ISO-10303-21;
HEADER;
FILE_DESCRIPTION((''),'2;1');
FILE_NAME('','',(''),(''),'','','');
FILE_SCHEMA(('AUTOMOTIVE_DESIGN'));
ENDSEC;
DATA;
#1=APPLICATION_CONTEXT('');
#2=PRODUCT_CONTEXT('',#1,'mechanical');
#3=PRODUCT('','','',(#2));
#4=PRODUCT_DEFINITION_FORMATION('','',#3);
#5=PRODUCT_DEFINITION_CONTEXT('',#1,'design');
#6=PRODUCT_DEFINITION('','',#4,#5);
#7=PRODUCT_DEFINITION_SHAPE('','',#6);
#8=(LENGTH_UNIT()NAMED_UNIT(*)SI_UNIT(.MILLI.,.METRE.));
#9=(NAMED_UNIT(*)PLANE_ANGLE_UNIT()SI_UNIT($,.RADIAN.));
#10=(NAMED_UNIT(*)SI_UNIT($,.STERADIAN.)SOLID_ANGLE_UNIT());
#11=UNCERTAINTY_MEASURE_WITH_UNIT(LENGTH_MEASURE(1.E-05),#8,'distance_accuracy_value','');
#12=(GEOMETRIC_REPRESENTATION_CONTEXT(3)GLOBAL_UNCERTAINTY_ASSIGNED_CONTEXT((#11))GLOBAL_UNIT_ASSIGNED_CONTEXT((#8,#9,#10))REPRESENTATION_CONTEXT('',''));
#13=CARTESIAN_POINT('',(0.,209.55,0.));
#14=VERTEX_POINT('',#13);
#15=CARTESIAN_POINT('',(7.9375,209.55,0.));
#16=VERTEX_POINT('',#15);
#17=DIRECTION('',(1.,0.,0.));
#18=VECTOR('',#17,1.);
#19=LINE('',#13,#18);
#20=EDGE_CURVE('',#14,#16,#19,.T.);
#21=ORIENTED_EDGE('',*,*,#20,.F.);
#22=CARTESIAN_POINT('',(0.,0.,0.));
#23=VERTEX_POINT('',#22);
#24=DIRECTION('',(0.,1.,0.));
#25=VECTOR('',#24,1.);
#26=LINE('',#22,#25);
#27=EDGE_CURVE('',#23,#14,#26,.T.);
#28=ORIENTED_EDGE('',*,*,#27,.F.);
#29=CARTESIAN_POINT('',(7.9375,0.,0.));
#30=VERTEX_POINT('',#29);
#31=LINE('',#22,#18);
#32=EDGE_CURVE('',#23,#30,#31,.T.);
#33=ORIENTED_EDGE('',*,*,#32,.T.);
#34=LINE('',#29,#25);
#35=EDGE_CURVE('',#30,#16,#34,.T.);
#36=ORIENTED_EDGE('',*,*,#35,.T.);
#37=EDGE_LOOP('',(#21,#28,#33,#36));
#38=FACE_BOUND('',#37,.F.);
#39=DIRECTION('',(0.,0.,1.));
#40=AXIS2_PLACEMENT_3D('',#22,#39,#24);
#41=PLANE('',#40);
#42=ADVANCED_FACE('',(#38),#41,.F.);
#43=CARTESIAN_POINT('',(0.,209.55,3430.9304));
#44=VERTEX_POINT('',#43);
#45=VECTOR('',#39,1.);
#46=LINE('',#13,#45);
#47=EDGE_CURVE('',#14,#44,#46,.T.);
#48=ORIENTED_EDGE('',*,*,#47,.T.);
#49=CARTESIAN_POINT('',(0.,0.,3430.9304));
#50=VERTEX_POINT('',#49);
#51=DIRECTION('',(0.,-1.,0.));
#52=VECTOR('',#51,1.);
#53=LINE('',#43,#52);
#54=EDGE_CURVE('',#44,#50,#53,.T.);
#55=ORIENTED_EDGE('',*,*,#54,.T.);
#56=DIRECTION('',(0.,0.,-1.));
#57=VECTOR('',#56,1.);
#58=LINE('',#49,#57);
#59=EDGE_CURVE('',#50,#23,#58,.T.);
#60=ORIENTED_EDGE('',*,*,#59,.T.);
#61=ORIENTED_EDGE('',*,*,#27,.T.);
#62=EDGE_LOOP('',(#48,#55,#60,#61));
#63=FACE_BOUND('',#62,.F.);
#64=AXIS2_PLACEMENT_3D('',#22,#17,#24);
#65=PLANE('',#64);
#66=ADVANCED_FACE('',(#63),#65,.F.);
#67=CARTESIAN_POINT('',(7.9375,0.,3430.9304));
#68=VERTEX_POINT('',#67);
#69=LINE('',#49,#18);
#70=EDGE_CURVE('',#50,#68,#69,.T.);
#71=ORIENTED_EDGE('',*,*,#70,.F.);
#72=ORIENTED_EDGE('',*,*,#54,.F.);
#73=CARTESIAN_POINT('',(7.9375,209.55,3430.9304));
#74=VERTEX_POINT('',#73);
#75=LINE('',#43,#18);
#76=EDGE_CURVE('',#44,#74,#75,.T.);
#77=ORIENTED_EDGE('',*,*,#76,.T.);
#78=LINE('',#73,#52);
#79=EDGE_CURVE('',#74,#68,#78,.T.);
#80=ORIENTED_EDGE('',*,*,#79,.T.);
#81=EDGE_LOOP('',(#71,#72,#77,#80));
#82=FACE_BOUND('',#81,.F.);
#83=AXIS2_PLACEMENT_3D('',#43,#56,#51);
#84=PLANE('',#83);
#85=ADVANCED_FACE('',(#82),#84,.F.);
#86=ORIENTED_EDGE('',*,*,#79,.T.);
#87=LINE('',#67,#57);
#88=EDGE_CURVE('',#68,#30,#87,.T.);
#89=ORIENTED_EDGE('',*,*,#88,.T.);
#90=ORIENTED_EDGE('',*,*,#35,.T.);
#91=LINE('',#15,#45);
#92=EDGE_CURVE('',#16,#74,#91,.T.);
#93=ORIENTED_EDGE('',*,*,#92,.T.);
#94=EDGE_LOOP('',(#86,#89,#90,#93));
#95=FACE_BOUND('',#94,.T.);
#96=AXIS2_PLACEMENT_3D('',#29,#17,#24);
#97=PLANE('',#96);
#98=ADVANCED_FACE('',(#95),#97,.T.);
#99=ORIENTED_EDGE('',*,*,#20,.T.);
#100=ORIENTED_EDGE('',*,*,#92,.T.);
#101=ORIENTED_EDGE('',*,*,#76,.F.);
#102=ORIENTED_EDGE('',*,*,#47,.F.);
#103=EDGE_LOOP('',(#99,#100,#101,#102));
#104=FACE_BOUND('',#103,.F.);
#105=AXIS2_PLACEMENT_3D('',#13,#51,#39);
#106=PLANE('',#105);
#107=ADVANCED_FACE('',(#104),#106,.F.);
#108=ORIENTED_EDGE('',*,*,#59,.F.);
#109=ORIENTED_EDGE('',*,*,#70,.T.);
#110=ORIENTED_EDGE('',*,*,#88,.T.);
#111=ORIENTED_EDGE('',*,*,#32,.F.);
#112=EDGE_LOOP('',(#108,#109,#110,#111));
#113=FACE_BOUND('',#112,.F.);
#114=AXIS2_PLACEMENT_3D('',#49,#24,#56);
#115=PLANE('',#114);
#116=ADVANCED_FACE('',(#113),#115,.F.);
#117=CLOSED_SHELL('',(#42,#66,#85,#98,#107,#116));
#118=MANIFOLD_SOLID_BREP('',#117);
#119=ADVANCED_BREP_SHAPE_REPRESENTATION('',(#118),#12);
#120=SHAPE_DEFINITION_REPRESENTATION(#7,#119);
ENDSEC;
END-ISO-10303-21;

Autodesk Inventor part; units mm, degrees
ref_plane "YZ Plane" through (0, 0, 0) normal (1, 0, 0) x (0, 1, 0)
ref_plane "XZ Plane" through (0, 0, 0) normal (0, 1, 0) x (-1, 0, 0)
ref_plane "XY Plane" through (0, 0, 0) normal (0, 0, 1) x (1, 0, 0)
sketch "Sketch1" plane through (0, 0, 0) normal (1, 0, 0) x (0, 1, 0)
  line L0 (0, 0) -> (209.55, 0)
  line L1 (209.55, 0) -> (209.55, 3430.9304)
  line L2 (209.55, 3430.9304) -> (0, 3430.9304)
  line L3 (0, 3430.9304) -> (0, 0)
  dimension "d1" = 209.55
  dimension "d4" = 3430.9304
extrude "Extrusion1" add sketch "Sketch1" along normal blind 7.9375
properties part number "Fiber_Cement_Board_For_Side_Wall"
